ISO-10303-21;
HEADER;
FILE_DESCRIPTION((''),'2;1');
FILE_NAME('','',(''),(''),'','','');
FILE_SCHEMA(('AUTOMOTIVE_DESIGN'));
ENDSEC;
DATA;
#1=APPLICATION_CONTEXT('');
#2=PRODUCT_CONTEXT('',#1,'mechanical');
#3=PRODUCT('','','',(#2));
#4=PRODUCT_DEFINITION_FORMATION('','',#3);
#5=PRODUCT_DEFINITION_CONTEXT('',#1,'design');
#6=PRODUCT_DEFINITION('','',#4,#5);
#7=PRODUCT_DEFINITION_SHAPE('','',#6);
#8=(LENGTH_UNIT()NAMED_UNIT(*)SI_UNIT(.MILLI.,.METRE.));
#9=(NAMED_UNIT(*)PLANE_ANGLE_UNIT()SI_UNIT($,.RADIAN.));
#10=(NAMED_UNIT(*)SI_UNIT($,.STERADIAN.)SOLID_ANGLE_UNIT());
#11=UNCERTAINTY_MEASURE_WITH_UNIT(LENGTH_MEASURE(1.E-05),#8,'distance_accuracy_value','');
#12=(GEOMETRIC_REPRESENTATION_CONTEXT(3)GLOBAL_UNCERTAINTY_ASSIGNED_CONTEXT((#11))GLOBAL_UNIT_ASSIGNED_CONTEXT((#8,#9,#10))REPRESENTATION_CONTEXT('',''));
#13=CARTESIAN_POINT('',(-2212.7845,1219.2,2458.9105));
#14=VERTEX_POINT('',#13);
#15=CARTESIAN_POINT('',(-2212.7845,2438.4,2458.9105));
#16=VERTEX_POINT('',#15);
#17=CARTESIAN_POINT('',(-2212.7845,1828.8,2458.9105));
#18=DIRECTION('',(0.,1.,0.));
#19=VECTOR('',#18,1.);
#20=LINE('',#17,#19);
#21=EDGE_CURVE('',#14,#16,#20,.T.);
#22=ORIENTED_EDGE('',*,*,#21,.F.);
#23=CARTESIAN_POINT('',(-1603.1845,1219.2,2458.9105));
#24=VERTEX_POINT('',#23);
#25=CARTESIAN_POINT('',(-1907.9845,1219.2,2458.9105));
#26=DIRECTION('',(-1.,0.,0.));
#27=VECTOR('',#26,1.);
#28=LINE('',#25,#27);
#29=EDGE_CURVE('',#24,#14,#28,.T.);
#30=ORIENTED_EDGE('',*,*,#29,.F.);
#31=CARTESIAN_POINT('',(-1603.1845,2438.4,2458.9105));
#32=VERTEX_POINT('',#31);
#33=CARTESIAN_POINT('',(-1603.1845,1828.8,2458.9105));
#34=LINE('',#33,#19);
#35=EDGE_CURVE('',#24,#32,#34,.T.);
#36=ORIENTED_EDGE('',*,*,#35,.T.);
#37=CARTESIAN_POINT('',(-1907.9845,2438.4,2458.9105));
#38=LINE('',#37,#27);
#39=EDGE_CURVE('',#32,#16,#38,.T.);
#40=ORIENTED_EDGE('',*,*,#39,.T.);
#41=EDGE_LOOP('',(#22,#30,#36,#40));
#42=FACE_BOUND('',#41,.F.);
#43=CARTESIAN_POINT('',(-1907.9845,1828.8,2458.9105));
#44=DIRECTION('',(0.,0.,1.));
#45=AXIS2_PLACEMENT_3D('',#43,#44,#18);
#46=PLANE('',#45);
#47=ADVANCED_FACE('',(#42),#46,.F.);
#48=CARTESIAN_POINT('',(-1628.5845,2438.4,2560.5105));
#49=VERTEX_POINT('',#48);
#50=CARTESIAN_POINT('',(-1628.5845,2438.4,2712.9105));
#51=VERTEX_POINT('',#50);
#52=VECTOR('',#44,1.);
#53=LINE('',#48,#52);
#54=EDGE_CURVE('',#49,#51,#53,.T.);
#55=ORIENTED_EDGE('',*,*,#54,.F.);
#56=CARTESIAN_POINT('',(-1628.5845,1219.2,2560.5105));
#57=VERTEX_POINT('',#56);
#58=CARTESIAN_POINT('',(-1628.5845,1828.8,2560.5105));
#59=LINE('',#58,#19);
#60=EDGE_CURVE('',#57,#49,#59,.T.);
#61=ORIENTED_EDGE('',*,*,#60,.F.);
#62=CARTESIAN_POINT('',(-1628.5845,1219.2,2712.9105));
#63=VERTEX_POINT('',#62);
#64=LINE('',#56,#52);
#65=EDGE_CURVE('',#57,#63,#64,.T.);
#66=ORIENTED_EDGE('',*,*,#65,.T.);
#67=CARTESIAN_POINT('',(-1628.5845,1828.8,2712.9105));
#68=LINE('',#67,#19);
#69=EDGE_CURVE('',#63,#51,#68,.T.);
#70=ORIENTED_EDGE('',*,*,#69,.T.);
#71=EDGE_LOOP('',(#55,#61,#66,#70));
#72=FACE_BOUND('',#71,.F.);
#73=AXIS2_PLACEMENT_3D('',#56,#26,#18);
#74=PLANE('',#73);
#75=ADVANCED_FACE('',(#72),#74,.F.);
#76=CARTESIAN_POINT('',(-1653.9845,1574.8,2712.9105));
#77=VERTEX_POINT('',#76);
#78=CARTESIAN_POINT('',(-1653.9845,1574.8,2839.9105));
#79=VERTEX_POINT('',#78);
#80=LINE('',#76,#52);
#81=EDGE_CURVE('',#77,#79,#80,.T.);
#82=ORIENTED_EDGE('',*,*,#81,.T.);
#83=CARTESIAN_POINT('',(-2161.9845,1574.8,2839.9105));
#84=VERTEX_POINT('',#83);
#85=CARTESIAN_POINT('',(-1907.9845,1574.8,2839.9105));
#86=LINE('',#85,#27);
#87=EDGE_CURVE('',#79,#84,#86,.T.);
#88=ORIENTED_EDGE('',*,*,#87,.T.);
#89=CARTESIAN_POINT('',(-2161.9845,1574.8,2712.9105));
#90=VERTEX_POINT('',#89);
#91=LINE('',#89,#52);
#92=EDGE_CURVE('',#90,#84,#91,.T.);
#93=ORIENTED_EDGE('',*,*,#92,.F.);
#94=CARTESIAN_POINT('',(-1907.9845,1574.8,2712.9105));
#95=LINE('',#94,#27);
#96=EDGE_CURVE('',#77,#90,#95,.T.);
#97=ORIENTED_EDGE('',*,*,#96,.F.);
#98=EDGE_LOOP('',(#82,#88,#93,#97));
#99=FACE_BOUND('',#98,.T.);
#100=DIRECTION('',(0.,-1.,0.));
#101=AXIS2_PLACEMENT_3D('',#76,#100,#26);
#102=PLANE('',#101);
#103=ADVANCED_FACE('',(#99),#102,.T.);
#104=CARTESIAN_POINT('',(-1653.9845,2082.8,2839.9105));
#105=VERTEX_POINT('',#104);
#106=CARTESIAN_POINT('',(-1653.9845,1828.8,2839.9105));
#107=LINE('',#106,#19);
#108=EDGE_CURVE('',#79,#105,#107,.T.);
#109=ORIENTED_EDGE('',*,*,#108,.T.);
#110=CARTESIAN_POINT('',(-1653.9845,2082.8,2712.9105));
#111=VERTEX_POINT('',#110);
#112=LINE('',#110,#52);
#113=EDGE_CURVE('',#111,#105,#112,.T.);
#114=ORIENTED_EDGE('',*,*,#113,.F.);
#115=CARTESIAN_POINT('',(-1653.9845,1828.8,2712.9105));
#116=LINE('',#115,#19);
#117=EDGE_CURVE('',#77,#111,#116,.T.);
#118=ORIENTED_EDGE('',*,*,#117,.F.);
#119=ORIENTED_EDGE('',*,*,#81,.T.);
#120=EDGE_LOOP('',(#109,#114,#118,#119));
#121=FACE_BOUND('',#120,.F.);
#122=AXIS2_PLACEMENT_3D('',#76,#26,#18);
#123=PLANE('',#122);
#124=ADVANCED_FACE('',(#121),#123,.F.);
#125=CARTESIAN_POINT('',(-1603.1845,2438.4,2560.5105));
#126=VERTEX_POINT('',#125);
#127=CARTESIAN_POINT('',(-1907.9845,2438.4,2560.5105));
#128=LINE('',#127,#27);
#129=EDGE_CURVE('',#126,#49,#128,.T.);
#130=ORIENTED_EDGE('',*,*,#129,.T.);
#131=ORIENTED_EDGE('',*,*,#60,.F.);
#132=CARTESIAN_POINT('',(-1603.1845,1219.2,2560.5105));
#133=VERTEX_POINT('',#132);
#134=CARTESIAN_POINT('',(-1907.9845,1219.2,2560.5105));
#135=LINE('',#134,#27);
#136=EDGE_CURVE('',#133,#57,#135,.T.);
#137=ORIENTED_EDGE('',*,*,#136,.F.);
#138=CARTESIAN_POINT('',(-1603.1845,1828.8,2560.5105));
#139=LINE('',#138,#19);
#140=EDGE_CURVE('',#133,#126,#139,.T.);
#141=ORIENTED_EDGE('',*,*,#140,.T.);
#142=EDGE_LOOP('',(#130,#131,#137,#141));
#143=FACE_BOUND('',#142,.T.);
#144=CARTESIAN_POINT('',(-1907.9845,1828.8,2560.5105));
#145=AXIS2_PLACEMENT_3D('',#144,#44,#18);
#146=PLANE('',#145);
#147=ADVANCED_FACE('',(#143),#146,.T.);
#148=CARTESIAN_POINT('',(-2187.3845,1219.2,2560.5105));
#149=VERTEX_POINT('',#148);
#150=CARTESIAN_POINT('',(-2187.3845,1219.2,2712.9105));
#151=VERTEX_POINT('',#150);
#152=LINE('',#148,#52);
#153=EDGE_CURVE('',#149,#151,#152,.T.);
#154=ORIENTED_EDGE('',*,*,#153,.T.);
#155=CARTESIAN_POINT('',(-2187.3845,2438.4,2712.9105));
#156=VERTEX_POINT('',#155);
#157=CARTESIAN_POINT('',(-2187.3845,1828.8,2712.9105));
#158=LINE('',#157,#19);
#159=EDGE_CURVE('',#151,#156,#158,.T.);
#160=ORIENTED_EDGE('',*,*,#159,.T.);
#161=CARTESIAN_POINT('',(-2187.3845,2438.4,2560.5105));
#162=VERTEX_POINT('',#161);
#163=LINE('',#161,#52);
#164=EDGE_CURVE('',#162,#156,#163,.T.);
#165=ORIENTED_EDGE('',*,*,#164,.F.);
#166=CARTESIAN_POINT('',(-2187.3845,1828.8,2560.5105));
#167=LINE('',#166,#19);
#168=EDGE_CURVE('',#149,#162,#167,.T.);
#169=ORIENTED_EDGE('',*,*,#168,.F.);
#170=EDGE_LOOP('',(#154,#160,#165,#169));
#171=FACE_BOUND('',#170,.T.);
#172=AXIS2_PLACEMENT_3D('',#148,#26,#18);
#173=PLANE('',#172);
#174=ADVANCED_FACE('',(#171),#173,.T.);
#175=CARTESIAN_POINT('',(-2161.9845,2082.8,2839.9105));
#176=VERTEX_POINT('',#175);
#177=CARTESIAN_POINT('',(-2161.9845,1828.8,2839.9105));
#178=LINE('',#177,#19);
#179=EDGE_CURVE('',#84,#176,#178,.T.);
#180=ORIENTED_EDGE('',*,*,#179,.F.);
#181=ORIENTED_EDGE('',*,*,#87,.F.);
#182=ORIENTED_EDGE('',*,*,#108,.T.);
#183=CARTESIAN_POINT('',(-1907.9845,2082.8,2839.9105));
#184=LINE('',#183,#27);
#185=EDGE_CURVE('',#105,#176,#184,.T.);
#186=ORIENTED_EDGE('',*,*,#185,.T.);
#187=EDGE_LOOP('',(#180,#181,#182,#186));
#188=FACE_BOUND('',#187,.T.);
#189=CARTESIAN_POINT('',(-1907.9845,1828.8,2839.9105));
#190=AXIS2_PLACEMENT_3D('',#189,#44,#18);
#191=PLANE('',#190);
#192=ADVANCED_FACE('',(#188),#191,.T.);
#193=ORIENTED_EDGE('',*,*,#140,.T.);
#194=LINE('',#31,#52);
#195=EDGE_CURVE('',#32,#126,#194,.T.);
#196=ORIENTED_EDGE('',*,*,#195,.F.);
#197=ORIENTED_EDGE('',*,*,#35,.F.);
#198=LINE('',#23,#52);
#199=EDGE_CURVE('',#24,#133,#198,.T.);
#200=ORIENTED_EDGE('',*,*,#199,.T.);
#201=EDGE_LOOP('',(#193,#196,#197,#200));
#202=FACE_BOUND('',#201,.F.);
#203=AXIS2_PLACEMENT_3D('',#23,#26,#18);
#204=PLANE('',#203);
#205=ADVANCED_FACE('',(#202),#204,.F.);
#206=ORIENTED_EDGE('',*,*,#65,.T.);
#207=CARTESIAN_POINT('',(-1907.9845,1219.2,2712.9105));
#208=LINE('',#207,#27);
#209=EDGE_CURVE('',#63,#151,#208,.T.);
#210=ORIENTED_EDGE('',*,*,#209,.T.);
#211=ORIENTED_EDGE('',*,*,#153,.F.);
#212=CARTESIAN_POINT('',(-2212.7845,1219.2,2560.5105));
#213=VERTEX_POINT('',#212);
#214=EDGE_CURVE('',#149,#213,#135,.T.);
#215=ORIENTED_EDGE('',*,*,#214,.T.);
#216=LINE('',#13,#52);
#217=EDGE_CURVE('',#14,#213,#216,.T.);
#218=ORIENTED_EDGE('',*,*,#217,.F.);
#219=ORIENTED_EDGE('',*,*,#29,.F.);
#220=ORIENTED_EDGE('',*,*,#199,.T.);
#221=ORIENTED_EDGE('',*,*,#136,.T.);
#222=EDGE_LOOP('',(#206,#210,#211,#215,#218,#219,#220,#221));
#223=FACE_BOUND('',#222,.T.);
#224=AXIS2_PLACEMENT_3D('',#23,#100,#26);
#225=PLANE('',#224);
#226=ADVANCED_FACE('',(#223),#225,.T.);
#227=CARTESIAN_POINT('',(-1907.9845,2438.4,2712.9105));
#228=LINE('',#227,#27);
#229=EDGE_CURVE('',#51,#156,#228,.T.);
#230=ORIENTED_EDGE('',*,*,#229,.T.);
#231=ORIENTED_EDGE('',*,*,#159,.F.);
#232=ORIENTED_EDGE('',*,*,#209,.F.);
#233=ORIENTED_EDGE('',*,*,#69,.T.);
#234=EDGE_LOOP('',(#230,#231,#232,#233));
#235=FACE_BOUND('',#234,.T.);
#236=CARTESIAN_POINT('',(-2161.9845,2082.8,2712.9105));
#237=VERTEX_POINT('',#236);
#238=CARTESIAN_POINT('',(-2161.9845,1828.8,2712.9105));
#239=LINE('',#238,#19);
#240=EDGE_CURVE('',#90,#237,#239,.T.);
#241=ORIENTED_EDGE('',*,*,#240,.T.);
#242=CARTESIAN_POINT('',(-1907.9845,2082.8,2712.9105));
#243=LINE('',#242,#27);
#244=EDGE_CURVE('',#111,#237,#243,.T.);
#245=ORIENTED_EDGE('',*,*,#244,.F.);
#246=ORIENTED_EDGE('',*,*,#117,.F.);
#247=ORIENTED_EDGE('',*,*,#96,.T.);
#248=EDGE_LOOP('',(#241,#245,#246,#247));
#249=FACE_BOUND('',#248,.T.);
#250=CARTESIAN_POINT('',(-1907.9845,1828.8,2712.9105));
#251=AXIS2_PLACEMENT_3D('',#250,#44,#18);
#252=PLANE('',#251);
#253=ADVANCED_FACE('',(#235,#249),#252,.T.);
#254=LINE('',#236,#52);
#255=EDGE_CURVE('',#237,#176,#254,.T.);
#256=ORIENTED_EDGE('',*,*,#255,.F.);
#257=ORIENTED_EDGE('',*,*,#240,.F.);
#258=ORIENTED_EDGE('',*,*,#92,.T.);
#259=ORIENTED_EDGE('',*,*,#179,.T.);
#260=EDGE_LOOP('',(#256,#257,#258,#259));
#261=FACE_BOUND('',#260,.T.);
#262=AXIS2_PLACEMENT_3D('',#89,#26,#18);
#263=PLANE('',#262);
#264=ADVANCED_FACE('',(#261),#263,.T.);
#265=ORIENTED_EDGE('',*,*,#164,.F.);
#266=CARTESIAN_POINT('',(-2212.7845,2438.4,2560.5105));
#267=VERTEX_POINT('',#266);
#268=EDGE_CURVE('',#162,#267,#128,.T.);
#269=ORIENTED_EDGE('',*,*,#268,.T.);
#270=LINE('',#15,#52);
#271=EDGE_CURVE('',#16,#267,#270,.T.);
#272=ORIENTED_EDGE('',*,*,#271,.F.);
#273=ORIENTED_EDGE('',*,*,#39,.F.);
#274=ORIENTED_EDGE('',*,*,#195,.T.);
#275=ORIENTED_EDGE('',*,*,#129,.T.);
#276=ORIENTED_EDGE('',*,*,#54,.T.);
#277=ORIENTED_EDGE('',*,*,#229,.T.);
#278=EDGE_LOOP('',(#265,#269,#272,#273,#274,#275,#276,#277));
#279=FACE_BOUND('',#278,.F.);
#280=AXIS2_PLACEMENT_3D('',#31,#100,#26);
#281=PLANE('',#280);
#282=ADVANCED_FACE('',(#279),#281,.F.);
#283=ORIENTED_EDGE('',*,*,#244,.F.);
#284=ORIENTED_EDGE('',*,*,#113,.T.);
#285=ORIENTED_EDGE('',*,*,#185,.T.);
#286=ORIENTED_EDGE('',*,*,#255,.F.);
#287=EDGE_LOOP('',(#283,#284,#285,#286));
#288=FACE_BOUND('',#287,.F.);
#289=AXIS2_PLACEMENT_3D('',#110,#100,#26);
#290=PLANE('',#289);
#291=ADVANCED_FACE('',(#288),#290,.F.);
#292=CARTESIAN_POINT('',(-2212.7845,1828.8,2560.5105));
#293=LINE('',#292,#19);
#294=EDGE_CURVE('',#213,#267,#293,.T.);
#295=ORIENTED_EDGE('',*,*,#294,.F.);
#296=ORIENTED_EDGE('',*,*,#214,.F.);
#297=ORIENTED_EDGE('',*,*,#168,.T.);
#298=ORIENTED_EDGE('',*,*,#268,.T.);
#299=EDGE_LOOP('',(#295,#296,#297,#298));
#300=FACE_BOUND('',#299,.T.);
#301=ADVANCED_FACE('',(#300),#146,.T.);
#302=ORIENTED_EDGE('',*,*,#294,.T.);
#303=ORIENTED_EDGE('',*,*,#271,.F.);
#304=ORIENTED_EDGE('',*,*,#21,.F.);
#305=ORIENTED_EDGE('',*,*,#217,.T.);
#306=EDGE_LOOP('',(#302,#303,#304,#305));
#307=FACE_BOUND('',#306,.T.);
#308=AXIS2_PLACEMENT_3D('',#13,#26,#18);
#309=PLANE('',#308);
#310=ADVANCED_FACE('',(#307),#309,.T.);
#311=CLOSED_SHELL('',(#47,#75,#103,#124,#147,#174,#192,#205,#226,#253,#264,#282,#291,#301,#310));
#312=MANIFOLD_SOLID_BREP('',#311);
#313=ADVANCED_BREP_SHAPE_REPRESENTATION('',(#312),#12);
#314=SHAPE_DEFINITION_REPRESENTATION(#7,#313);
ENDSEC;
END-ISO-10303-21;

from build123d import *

# Parameters (mm, degrees)
SKETCH003_W             = 1219.2
SKETCH003_H             = 609.6
PAD004_DEPTH            = 101.6
SKETCH005_W             = 1219.2
SKETCH005_H             = 558.8
PAD005_DEPTH            = 152.4
SKETCH004_W             = 508
SKETCH004_H             = 508
PAD003_DEPTH            = 127
BODY001_PLACEMENT_ANGLE = 90


with BuildPart() as part:
    # Sketch003 → Pad004 (new body)
    with BuildSketch(Plane.XY):
        with Locations((609.6, 304.8)):
            Rectangle(SKETCH003_W, SKETCH003_H)
    extrude(amount=PAD004_DEPTH)

    # Sketch005 (on Face6 of Pad004) → Pad005 (join)
    with BuildSketch(Plane.XY.offset(101.6)):
        with Locations((609.6, 304.8)):
            Rectangle(SKETCH005_W, SKETCH005_H)
    extrude(amount=PAD005_DEPTH)

    # Sketch004 (on Face12 of Pad005) → Pad003 (join)
    with BuildSketch(Plane.XY.offset(254)):
        with Locations((609.6, 304.8)):
            Rectangle(SKETCH004_W, SKETCH004_H)
    extrude(amount=PAD003_DEPTH)


with BuildPart() as part_1:
    # Body001 placement: moved
    add(part.part.moved(Location((-1603.1845, 1219.2, 2458.9105))).rotate(Axis((-1603.1845, 1219.2, 2458.9105), (0, 0, 1)), BODY001_PLACEMENT_ANGLE))


solid = part_1.part
